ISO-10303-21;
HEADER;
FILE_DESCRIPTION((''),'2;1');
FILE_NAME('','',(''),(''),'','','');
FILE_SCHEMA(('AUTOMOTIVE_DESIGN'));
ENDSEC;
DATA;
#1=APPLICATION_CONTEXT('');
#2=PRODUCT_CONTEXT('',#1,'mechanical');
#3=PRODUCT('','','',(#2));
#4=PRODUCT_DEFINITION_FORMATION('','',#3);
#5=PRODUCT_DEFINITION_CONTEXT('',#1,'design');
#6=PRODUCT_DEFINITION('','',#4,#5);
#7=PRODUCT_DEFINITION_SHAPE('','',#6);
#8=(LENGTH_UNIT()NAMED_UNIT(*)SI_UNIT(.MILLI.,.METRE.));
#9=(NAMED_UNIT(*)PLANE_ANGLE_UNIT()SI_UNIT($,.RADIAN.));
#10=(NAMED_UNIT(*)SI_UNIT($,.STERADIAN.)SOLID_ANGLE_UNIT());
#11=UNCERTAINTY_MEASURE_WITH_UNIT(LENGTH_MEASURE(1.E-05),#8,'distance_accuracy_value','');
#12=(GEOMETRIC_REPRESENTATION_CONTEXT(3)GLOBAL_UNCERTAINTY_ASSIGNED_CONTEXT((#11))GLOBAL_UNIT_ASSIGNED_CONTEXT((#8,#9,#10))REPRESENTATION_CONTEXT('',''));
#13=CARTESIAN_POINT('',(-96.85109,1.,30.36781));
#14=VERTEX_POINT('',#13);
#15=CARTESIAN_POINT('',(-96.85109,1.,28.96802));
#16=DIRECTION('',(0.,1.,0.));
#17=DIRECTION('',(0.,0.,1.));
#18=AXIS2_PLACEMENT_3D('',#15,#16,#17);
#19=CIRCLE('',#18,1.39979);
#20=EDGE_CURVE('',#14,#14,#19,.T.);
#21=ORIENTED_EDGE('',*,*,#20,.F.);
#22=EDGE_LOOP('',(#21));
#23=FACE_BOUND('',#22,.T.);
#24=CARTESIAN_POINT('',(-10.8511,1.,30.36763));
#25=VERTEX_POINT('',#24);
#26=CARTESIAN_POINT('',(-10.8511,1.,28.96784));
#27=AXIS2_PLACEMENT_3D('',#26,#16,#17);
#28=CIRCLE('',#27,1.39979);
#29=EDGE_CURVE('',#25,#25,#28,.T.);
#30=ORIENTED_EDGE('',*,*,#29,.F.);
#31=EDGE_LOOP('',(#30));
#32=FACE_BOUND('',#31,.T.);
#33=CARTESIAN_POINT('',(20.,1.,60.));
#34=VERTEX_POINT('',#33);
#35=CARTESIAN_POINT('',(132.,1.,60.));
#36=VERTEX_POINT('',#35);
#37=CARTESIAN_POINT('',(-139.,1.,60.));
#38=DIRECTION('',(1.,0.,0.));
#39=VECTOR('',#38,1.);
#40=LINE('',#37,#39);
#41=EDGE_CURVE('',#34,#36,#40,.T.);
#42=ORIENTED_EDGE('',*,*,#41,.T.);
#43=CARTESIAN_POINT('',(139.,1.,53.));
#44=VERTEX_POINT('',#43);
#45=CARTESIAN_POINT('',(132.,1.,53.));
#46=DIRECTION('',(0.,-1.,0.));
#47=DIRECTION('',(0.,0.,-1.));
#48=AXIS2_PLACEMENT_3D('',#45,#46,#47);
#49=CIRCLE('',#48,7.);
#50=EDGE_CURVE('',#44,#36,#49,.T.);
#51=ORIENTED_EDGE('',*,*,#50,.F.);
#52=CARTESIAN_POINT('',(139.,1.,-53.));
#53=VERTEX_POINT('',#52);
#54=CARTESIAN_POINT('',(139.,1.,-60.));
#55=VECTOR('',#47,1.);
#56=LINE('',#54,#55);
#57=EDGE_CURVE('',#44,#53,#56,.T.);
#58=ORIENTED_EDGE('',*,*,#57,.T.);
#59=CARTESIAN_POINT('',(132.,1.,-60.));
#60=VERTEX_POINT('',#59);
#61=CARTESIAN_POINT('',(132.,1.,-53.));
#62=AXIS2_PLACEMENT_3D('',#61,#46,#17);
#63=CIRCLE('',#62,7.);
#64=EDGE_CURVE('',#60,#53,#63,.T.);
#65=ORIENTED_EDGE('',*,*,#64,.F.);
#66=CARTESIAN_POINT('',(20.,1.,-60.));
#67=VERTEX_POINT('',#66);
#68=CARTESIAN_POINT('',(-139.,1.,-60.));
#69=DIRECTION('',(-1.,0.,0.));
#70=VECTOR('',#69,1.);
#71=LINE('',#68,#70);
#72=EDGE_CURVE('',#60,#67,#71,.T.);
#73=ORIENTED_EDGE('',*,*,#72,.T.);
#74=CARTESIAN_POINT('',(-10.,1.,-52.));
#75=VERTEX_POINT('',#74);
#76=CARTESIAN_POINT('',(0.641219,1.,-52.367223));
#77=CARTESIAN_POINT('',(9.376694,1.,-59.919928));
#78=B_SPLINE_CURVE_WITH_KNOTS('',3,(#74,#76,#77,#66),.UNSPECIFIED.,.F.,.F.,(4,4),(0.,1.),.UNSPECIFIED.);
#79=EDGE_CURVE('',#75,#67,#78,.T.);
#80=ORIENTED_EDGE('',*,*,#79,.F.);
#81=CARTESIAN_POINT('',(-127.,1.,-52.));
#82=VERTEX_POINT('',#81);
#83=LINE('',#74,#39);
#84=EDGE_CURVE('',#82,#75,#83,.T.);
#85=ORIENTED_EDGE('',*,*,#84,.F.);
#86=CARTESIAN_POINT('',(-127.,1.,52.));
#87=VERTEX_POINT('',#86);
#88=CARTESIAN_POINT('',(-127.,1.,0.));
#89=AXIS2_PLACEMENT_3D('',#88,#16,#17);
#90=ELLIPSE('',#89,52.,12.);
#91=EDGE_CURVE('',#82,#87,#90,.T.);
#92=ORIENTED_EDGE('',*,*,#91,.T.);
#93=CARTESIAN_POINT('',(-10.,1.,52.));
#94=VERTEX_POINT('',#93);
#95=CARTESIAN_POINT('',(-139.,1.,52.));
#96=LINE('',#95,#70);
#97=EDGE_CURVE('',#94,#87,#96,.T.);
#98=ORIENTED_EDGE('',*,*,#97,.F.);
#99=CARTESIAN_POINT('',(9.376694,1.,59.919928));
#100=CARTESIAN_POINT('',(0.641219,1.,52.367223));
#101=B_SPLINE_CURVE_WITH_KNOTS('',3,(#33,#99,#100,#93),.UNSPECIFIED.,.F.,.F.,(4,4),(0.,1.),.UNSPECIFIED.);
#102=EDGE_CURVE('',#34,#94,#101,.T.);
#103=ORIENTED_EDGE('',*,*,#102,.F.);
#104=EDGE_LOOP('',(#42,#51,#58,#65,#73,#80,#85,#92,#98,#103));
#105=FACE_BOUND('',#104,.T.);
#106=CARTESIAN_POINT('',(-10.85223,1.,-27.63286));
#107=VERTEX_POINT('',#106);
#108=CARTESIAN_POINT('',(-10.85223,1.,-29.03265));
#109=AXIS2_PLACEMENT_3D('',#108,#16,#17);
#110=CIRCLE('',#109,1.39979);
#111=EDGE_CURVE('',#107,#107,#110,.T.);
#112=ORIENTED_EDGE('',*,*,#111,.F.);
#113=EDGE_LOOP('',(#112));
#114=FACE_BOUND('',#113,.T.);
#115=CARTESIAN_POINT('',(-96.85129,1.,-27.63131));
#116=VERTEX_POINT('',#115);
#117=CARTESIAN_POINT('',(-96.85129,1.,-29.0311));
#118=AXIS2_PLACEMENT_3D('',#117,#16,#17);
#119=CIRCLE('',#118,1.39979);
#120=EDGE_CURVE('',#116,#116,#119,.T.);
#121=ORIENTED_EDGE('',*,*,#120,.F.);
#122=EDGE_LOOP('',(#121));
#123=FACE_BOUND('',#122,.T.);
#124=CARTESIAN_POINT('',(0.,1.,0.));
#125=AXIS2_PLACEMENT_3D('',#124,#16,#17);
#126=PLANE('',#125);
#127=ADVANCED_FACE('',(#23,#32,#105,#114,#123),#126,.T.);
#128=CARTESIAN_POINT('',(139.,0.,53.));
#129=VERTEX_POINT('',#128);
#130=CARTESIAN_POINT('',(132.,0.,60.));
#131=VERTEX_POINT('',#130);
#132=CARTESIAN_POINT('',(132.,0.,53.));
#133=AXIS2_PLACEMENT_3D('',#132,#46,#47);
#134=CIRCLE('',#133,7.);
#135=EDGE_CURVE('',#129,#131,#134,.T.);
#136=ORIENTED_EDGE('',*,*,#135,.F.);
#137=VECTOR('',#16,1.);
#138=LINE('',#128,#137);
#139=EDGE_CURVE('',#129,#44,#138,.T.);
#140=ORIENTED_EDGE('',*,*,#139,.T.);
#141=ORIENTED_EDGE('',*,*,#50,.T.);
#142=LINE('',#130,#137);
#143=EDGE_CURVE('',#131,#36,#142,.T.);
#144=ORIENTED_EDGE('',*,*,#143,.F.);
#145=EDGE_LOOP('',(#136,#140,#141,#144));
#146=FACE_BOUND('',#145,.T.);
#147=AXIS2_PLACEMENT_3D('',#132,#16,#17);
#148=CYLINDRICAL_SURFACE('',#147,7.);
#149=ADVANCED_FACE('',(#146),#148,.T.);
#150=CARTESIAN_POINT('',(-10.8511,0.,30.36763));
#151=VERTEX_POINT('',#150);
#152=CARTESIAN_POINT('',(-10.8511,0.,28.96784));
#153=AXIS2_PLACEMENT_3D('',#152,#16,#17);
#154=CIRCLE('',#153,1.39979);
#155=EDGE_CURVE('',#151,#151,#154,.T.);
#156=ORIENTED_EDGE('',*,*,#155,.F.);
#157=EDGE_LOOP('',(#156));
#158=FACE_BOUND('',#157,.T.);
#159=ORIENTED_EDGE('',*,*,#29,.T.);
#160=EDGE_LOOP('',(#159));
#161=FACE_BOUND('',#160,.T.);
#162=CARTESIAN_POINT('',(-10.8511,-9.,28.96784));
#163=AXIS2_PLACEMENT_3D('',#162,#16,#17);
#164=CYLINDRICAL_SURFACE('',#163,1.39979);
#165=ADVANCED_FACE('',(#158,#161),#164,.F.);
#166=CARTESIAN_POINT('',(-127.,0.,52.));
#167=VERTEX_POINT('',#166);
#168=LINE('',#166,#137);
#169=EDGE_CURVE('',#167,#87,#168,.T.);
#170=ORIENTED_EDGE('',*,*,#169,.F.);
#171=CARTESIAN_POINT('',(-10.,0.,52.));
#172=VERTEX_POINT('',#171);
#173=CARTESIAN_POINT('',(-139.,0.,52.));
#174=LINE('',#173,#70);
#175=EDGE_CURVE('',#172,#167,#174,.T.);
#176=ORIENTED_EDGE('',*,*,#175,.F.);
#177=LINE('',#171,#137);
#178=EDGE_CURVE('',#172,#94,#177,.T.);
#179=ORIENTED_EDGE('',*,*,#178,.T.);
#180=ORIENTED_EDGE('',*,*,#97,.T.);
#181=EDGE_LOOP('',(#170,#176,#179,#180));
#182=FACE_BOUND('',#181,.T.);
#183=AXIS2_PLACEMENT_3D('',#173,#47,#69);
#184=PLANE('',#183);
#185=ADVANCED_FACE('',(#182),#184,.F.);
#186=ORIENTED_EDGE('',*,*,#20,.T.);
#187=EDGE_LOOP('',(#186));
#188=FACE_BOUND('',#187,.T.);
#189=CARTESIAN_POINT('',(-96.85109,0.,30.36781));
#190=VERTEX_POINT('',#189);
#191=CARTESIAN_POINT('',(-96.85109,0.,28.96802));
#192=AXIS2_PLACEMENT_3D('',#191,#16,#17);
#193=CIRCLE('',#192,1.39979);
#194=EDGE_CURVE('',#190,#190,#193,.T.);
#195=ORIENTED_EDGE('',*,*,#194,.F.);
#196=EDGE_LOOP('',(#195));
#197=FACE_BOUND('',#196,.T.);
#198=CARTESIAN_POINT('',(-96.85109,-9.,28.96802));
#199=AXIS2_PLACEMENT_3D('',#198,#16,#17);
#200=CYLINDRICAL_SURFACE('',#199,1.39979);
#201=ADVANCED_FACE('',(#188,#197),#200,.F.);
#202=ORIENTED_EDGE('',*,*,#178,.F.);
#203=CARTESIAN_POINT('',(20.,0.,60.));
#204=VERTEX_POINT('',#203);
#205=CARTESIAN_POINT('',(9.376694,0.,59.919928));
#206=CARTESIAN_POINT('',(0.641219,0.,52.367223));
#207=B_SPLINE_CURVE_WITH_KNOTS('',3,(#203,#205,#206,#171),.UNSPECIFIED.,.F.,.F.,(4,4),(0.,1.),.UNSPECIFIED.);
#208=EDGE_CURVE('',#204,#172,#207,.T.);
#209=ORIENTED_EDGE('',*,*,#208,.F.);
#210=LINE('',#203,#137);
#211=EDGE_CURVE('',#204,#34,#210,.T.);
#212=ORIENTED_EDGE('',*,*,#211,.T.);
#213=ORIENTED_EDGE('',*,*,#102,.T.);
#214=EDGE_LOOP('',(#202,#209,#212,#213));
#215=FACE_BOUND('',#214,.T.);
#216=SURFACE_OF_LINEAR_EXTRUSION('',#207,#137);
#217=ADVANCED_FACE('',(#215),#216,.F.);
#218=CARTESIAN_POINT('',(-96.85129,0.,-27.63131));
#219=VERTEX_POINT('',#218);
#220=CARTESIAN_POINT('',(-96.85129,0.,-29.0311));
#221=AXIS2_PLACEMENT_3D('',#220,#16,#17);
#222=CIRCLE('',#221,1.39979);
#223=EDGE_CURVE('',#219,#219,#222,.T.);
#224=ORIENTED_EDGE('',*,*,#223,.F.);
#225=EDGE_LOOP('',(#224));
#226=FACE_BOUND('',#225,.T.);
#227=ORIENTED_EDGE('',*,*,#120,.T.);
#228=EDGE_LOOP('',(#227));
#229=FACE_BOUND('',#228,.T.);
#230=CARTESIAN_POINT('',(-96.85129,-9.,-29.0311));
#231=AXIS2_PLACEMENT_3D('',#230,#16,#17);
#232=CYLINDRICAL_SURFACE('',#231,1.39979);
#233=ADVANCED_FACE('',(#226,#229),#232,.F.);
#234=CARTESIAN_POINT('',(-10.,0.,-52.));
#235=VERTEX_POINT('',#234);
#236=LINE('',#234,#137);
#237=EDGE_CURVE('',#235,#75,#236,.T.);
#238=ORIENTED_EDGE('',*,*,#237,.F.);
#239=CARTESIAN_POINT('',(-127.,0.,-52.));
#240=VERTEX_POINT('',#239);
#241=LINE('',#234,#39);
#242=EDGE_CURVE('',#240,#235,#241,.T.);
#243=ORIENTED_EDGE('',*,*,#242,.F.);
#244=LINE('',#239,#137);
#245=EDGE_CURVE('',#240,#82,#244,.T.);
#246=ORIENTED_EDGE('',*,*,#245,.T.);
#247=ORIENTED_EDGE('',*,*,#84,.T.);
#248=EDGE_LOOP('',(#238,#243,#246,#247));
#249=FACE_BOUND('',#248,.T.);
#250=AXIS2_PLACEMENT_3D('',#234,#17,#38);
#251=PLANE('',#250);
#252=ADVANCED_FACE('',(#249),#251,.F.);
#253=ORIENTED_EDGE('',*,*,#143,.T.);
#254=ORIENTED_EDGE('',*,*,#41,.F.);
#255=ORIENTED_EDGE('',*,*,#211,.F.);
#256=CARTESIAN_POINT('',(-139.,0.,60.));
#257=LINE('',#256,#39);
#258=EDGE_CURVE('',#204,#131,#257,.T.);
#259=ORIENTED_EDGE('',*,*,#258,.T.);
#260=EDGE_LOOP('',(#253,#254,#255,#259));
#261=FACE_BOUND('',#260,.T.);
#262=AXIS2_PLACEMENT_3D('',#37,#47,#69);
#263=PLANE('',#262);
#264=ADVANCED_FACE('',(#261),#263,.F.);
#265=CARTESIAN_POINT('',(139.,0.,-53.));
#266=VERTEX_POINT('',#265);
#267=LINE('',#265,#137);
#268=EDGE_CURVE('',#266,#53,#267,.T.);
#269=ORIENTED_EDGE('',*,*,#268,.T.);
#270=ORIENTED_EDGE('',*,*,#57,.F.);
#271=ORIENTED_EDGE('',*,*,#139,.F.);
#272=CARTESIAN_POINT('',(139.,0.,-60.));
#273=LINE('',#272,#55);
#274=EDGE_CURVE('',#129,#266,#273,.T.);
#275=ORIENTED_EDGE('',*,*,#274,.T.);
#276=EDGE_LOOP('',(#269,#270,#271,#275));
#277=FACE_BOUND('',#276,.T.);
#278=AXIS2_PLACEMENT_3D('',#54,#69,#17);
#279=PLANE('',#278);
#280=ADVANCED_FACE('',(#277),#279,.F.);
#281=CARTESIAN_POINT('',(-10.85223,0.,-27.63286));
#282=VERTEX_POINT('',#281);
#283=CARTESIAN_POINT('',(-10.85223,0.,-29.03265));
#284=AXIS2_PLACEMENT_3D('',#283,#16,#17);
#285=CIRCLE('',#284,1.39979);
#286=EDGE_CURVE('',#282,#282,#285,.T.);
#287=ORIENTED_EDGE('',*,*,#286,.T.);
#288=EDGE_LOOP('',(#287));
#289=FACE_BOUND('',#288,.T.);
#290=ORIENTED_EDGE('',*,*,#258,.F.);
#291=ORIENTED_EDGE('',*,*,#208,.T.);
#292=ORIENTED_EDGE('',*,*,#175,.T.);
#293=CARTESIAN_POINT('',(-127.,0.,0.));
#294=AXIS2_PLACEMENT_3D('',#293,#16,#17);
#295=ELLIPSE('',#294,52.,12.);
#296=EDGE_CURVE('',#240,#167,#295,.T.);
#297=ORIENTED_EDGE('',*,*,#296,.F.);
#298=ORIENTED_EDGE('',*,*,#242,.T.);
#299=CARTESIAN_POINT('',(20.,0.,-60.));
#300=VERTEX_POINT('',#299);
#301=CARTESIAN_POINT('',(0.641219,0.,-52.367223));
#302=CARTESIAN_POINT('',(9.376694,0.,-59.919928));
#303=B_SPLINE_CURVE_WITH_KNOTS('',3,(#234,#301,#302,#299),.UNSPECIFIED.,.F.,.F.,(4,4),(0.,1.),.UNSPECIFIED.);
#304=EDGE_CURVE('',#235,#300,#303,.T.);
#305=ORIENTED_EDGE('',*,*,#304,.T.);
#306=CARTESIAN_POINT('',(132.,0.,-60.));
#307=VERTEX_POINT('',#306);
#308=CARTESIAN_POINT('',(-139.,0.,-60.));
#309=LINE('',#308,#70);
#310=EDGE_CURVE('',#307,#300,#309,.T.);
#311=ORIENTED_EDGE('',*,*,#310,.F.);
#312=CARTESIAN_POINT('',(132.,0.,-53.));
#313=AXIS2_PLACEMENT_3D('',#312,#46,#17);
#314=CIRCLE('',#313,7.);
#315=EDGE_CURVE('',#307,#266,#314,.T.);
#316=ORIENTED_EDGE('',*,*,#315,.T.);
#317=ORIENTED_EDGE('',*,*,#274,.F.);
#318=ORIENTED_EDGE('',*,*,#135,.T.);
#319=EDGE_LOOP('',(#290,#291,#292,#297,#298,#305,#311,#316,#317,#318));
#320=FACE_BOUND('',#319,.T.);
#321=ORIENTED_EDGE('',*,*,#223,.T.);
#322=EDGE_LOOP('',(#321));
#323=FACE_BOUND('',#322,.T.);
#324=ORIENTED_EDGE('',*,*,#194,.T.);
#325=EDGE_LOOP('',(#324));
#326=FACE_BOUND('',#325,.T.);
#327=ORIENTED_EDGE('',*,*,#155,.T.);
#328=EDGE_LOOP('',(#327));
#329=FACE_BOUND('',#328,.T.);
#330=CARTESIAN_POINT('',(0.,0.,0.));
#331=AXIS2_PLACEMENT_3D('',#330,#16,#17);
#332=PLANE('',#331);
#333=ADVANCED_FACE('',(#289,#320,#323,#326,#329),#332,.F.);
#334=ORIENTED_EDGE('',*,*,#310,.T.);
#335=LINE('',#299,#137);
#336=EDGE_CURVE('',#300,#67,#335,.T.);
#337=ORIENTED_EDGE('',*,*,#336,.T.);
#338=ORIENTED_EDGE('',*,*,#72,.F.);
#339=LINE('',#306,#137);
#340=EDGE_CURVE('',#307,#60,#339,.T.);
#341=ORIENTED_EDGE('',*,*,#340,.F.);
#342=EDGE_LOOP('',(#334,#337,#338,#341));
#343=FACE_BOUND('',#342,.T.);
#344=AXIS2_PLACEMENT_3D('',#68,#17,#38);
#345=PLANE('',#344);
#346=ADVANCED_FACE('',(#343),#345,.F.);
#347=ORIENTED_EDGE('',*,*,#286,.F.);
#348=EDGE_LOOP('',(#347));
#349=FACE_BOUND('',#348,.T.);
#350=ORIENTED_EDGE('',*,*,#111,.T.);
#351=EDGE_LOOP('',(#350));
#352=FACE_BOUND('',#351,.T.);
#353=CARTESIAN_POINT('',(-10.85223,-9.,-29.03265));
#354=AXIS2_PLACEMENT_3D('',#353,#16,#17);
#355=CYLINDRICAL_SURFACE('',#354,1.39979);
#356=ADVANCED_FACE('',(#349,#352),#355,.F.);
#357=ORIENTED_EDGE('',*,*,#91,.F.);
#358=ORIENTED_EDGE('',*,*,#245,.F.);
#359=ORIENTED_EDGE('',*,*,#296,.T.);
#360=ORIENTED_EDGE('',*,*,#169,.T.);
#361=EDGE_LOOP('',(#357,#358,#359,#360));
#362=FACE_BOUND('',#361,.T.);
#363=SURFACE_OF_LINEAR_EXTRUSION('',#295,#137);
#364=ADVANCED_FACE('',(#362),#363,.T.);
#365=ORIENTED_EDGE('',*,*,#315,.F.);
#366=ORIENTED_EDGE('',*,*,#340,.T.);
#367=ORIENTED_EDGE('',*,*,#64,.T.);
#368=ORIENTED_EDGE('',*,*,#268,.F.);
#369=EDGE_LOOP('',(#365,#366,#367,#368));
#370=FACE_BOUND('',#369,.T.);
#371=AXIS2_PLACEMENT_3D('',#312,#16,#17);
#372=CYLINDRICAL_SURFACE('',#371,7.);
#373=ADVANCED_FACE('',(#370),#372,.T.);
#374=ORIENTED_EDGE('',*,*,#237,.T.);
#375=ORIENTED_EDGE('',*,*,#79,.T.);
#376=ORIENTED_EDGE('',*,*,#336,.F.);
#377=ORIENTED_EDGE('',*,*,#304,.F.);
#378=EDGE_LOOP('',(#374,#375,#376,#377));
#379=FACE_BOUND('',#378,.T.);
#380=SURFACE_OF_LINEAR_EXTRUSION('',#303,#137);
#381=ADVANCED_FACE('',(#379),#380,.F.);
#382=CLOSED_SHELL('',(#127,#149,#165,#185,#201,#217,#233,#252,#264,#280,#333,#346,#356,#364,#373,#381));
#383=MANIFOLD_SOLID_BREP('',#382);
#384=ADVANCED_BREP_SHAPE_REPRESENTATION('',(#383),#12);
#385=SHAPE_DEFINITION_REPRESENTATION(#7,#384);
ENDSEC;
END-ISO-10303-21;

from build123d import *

# Parameters (mm, degrees)
SKETCH_1_W          = 278
SKETCH_1_H          = 120
EXTRUDE_1_DEPTH     = 1
SKETCH_2_W          = 129
SKETCH_2_H          = 8
CUT_EXTRUDE_1_DEPTH = 1
CUT_EXTRUDE_2_DEPTH = 1
CUT_EXTRUDE_4_DEPTH = 1
CUT_EXTRUDE_5_DEPTH = 1
SKETCH_16_R         = 1.39979
CUT_EXTRUDE_9_DEPTH = 10


with BuildPart() as part:
    # 스케치1 → 보스-돌출1 (new body)
    with BuildSketch(Plane(origin=(0, 0, 0), x_dir=(1, 0, 0), z_dir=(0, 1, 0))):
        Rectangle(SKETCH_1_W, SKETCH_1_H)
    extrude(amount=EXTRUDE_1_DEPTH)

    # 스케치2 → 컷-돌출1 (cut)
    with BuildSketch(Plane(origin=(0, 1, 0), x_dir=(1, 0, 0), z_dir=(0, 1, 0))):
        with Locations((-74.5, -56)):
            Rectangle(SKETCH_2_W, SKETCH_2_H)
        with Locations((-74.5, 56)):
            Rectangle(SKETCH_2_W, SKETCH_2_H)
    extrude(amount=-CUT_EXTRUDE_1_DEPTH, mode=Mode.SUBTRACT)

    # 스케치3 → 컷-돌출2 (cut)
    with BuildSketch(Plane(origin=(0, 1, 0), x_dir=(1, 0, 0), z_dir=(0, 1, 0))):
        with BuildLine():
            add(Edge.make_bspline(
                [(-127, 52), (-139, 52), (-139, 0)],
                knots=[3.141592654, 3.141592654, 3.141592654, 4.71238898, 4.71238898, 4.71238898], degree=2, weights=[1, 0.707106781, 1]))
            Line((-127, 52), (-139, 52))
            Line((-139, 52), (-139, 0))
        make_face()
        with BuildLine():
            Line((-139, -52), (-127, -52))
            add(Edge.make_bspline(
                [(-139, 0), (-139, -52), (-127, -52)],
                knots=[4.71238898, 4.71238898, 4.71238898, 6.283185307, 6.283185307, 6.283185307], degree=2, weights=[1, 0.707106781, 1]))
            Line((-139, 0), (-139, -52))
        make_face()
    extrude(amount=-CUT_EXTRUDE_2_DEPTH, mode=Mode.SUBTRACT)

    # 스케치4 → 컷-돌출4 (cut)
    with BuildSketch(Plane(origin=(0, 1, 0), x_dir=(1, 0, 0), z_dir=(0, 1, 0))):
        with BuildLine():
            Line((-10, 52), (-10, 60))
            Line((-10, 60), (20, 60))
            add(Edge.make_bspline(
                [(-10, 52), (0.64121866, 52.367223255), (9.376693721, 59.919927591), (20, 60)],
                knots=[0, 0, 0, 0, 1, 1, 1, 1], degree=3))
        make_face()
        with BuildLine():
            Line((-10, -52), (-10, -60))
            Line((-10, -60), (20, -60))
            add(Edge.make_bspline(
                [(-10, -52), (0.64121866, -52.367223255), (9.376693721, -59.919927591), (20, -60)],
                knots=[0, 0, 0, 0, 1, 1, 1, 1], degree=3))
        make_face()
    extrude(amount=-CUT_EXTRUDE_4_DEPTH, mode=Mode.SUBTRACT)

    # 스케치5 → 컷-돌출5 (cut)
    with BuildSketch(Plane(origin=(0, 1, 0), x_dir=(1, 0, 0), z_dir=(0, 1, 0))):
        with BuildLine():
            Line((132, 60), (139, 60))
            Line((139, 60), (139, 53))
            ThreePointArc((139, 53), (136.949747468, 57.949747468), (132, 60))
        make_face()
        with BuildLine():
            Line((139, -60), (139, -53))
            ThreePointArc((139, -53), (136.949747468, -57.949747468), (132, -60))
            Line((132, -60), (139, -60))
        make_face()
    extrude(amount=-CUT_EXTRUDE_5_DEPTH, mode=Mode.SUBTRACT)

    # 스케치16 → 컷-돌출9 (cut)
    with BuildSketch(Plane(origin=(0, 1, 0), x_dir=(1, 0, 0), z_dir=(0, 1, 0))):
        with Locations(Location((-96.85129, 29.0311, 0), (0, 0, 270))):
            Circle(SKETCH_16_R)
        with Locations(Location((-96.85109, -28.96802, 0), (0, 0, 270))):
            Circle(SKETCH_16_R)
        with Locations(Location((-10.85223, 29.03265, 0), (0, 0, 270))):
            Circle(SKETCH_16_R)
        with Locations(Location((-10.8511, -28.96784, 0), (0, 0, 270))):
            Circle(SKETCH_16_R)
    extrude(amount=-CUT_EXTRUDE_9_DEPTH, mode=Mode.SUBTRACT)


solid = part.part
